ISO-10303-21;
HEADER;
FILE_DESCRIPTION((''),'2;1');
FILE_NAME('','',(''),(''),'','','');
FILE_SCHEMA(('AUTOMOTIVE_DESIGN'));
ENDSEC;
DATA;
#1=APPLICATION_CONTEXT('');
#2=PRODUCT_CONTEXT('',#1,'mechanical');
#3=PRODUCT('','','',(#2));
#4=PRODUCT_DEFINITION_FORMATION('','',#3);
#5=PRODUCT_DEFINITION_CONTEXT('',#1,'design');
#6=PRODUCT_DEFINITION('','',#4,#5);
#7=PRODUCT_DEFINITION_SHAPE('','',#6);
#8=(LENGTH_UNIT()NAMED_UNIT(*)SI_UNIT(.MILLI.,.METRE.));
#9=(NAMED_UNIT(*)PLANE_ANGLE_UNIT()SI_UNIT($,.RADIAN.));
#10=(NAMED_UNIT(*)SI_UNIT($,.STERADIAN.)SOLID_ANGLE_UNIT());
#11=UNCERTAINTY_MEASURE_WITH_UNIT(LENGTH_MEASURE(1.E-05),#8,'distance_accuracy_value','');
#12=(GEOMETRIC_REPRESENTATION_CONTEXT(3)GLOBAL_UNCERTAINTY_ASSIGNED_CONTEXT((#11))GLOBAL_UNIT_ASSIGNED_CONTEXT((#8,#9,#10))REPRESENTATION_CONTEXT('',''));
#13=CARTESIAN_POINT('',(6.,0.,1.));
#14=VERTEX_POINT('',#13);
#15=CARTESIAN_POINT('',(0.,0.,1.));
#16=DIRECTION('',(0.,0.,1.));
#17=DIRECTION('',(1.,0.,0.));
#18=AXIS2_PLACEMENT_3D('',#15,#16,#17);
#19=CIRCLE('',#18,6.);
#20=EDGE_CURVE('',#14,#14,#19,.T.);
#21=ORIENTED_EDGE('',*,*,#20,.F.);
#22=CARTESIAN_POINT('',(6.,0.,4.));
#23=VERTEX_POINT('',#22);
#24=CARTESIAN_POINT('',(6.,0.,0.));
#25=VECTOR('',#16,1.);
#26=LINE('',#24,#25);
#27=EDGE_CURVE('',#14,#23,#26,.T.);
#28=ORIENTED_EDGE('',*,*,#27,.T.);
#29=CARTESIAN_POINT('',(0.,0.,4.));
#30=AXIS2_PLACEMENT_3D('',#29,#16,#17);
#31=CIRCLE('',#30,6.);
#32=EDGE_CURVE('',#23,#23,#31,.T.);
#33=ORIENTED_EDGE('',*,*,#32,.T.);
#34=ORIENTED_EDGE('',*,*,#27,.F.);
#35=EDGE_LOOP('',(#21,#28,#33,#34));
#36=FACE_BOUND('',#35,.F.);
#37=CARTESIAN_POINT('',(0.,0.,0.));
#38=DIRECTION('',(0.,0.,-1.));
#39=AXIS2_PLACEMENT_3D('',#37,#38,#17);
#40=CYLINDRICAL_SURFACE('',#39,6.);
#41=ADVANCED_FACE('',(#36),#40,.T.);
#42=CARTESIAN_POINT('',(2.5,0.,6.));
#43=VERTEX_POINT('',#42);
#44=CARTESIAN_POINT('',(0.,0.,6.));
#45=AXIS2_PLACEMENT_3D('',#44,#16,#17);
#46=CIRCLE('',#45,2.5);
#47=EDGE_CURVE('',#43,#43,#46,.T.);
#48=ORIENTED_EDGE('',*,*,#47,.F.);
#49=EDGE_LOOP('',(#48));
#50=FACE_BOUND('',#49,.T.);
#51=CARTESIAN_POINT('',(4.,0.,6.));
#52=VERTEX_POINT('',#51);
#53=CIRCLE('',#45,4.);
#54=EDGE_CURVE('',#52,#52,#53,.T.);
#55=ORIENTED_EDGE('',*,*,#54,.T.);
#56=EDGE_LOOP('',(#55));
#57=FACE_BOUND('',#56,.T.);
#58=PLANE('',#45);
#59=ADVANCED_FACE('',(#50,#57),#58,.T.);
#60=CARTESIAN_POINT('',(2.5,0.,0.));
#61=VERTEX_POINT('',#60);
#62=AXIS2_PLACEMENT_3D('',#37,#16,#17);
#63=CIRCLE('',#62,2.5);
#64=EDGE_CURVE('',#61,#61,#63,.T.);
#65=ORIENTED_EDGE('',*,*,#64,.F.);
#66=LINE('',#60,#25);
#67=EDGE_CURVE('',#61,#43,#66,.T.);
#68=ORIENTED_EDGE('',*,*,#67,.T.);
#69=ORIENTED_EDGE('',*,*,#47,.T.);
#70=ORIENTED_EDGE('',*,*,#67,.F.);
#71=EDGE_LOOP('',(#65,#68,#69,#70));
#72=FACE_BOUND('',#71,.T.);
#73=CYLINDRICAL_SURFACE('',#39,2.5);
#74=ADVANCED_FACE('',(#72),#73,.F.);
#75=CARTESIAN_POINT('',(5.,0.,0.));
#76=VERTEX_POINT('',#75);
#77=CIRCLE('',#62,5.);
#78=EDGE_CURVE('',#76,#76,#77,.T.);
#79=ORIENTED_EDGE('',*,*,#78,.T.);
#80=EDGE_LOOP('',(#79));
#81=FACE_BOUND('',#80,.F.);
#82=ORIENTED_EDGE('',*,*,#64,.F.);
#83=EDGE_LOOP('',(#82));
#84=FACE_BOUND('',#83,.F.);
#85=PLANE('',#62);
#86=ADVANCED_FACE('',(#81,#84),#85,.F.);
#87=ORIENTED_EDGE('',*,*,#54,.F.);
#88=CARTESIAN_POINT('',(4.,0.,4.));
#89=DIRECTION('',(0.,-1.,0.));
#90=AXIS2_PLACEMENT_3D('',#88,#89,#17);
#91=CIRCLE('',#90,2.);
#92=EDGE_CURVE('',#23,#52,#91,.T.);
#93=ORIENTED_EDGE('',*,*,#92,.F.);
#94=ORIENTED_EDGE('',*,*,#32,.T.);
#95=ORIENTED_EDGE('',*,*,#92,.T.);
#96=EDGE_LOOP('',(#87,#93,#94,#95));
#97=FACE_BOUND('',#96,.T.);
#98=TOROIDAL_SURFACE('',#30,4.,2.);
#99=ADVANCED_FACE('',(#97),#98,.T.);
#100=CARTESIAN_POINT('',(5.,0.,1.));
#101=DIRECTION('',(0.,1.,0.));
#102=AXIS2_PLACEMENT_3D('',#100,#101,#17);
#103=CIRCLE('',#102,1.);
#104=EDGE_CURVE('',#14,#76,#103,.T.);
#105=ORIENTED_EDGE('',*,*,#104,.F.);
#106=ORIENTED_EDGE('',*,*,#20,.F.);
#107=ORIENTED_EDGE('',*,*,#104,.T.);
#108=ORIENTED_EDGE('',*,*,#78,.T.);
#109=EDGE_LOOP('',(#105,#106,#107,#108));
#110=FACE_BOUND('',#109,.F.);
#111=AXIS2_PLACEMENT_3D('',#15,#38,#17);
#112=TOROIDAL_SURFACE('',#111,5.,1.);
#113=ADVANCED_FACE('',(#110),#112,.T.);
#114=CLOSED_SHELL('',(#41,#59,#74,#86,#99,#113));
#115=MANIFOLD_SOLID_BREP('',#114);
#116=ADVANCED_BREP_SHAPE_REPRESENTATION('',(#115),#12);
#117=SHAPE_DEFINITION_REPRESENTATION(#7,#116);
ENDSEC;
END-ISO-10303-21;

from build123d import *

# Parameters (mm, degrees)
F1_R     = 6
F1_R_2   = 2.5
F2_DEPTH = 6
F3_R     = 2
F4_R     = 1


with BuildPart() as f2:
    # F1 (on face) → F2 (new body)
    with BuildSketch(Plane.XY):
        Circle(F1_R)
        Circle(F1_R_2, mode=Mode.SUBTRACT)
    extrude(amount=F2_DEPTH)

    # F3
    f3_edges = [f2.edges().sort_by_distance(p)[0] for p in [
        (-6, 0, 6),
    ]]
    fillet(f3_edges, radius=F3_R)

    # F4
    f4_edges = [f2.edges().sort_by_distance(p)[0] for p in [
        (-6, 0, 0),
    ]]
    fillet(f4_edges, radius=F4_R)


solid = f2.part
